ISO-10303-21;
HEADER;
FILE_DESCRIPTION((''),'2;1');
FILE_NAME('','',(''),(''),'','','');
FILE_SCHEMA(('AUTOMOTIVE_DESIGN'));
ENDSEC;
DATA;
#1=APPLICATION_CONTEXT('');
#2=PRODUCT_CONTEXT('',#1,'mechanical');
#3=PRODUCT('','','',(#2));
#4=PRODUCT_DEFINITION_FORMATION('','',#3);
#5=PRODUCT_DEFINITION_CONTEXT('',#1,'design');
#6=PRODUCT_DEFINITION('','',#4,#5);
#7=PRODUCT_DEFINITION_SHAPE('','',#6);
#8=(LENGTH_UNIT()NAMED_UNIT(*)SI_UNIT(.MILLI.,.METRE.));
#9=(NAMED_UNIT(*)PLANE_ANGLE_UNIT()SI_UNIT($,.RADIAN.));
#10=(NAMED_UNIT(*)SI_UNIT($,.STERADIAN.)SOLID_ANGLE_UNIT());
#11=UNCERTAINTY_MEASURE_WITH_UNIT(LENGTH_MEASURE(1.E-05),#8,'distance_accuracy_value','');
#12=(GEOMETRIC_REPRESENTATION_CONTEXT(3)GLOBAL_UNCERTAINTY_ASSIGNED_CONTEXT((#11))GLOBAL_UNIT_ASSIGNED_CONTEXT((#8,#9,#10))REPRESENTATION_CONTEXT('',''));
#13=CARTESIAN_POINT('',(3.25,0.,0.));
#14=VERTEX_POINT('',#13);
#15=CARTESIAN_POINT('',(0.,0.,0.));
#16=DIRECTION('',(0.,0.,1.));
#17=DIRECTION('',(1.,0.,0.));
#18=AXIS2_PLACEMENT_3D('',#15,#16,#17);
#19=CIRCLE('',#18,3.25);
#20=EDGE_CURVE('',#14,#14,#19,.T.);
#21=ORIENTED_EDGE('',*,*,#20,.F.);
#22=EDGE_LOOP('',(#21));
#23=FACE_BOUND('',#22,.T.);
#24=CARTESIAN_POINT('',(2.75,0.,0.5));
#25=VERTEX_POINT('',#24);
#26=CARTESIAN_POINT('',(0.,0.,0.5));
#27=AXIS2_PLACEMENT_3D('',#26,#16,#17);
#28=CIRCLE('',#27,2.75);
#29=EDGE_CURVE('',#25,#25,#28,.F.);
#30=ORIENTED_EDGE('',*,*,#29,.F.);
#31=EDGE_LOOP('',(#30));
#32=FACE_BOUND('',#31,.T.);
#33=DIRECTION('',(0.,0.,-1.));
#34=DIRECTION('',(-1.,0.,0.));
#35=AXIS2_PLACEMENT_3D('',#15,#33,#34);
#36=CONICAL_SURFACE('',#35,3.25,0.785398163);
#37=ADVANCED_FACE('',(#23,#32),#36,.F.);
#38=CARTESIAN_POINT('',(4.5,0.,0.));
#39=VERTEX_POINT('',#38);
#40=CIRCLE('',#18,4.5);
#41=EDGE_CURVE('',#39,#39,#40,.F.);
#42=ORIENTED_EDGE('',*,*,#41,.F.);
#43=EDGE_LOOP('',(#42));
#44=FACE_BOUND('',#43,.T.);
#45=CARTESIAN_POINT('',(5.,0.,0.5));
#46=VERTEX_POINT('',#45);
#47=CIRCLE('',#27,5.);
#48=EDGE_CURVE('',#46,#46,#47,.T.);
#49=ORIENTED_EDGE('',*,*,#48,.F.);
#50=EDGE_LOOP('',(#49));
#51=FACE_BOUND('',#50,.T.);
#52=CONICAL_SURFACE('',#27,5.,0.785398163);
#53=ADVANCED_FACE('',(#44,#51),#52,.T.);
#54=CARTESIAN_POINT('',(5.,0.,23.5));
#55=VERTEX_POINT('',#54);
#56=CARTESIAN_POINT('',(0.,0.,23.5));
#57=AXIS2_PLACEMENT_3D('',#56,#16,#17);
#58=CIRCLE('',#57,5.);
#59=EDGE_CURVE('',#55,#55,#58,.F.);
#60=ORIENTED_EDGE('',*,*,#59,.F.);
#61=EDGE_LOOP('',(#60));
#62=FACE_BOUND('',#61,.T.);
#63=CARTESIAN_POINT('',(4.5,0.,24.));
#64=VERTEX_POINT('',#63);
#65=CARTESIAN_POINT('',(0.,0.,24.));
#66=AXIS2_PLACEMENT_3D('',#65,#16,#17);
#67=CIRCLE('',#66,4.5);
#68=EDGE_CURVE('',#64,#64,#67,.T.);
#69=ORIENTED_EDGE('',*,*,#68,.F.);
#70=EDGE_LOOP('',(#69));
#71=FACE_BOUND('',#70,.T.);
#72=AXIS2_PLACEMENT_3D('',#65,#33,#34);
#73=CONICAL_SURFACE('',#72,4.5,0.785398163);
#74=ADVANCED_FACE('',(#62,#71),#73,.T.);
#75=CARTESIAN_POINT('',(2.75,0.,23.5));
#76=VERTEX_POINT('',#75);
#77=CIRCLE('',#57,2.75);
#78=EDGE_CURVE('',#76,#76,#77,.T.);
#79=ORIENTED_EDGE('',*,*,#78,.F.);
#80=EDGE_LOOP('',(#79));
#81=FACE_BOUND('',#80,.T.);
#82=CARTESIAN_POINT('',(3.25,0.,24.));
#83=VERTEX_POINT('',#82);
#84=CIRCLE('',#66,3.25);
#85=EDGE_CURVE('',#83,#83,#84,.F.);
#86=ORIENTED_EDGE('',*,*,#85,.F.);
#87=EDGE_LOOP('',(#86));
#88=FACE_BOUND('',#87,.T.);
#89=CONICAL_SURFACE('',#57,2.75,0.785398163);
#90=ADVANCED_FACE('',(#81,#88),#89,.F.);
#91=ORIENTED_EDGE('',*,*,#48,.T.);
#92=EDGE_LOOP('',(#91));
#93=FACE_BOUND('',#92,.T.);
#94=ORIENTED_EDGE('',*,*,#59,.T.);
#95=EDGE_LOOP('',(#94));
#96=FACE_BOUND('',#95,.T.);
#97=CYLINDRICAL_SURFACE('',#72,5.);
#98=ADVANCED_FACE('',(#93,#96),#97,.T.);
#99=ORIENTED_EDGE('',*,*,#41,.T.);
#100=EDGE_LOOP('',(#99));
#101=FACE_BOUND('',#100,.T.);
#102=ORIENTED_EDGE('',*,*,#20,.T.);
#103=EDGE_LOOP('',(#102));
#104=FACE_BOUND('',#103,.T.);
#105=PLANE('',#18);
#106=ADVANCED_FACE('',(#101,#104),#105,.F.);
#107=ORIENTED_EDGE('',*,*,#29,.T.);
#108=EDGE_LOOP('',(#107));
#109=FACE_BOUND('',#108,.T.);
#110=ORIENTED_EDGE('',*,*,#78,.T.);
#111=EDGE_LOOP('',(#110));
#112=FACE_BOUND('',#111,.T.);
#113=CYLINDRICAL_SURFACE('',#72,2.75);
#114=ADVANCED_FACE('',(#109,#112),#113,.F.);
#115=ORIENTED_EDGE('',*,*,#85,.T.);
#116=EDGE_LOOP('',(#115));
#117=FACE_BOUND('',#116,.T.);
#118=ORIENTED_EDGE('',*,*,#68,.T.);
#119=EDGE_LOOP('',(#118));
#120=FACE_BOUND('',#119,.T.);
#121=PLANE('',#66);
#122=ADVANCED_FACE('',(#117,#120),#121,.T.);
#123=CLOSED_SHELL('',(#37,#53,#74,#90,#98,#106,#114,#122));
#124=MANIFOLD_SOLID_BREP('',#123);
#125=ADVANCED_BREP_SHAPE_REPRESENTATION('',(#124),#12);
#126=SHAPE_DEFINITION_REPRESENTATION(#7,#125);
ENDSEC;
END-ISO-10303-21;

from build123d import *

# Parameters (mm, degrees)
SKETCH1_R           = 5
SKETCH1_R_2         = 2.75
BOSS_EXTRUDE1_DEPTH = 24
CHAMFER1_SIZE       = 0.5


with BuildPart() as part:
    # Sketch1 → Boss-Extrude1 (new body)
    with BuildSketch(Plane.XY):
        Circle(SKETCH1_R)
        Circle(SKETCH1_R_2, mode=Mode.SUBTRACT)
    extrude(amount=BOSS_EXTRUDE1_DEPTH)

    # Chamfer1
    chamfer1_edges = [part.edges().sort_by_distance(p)[0] for p in [
        (-5, 0, 0),
        (-5, 0, 24),
        (-2.75, 0, 0),
        (-2.75, 0, 24),
    ]]
    chamfer(chamfer1_edges, length=CHAMFER1_SIZE)


solid = part.part
